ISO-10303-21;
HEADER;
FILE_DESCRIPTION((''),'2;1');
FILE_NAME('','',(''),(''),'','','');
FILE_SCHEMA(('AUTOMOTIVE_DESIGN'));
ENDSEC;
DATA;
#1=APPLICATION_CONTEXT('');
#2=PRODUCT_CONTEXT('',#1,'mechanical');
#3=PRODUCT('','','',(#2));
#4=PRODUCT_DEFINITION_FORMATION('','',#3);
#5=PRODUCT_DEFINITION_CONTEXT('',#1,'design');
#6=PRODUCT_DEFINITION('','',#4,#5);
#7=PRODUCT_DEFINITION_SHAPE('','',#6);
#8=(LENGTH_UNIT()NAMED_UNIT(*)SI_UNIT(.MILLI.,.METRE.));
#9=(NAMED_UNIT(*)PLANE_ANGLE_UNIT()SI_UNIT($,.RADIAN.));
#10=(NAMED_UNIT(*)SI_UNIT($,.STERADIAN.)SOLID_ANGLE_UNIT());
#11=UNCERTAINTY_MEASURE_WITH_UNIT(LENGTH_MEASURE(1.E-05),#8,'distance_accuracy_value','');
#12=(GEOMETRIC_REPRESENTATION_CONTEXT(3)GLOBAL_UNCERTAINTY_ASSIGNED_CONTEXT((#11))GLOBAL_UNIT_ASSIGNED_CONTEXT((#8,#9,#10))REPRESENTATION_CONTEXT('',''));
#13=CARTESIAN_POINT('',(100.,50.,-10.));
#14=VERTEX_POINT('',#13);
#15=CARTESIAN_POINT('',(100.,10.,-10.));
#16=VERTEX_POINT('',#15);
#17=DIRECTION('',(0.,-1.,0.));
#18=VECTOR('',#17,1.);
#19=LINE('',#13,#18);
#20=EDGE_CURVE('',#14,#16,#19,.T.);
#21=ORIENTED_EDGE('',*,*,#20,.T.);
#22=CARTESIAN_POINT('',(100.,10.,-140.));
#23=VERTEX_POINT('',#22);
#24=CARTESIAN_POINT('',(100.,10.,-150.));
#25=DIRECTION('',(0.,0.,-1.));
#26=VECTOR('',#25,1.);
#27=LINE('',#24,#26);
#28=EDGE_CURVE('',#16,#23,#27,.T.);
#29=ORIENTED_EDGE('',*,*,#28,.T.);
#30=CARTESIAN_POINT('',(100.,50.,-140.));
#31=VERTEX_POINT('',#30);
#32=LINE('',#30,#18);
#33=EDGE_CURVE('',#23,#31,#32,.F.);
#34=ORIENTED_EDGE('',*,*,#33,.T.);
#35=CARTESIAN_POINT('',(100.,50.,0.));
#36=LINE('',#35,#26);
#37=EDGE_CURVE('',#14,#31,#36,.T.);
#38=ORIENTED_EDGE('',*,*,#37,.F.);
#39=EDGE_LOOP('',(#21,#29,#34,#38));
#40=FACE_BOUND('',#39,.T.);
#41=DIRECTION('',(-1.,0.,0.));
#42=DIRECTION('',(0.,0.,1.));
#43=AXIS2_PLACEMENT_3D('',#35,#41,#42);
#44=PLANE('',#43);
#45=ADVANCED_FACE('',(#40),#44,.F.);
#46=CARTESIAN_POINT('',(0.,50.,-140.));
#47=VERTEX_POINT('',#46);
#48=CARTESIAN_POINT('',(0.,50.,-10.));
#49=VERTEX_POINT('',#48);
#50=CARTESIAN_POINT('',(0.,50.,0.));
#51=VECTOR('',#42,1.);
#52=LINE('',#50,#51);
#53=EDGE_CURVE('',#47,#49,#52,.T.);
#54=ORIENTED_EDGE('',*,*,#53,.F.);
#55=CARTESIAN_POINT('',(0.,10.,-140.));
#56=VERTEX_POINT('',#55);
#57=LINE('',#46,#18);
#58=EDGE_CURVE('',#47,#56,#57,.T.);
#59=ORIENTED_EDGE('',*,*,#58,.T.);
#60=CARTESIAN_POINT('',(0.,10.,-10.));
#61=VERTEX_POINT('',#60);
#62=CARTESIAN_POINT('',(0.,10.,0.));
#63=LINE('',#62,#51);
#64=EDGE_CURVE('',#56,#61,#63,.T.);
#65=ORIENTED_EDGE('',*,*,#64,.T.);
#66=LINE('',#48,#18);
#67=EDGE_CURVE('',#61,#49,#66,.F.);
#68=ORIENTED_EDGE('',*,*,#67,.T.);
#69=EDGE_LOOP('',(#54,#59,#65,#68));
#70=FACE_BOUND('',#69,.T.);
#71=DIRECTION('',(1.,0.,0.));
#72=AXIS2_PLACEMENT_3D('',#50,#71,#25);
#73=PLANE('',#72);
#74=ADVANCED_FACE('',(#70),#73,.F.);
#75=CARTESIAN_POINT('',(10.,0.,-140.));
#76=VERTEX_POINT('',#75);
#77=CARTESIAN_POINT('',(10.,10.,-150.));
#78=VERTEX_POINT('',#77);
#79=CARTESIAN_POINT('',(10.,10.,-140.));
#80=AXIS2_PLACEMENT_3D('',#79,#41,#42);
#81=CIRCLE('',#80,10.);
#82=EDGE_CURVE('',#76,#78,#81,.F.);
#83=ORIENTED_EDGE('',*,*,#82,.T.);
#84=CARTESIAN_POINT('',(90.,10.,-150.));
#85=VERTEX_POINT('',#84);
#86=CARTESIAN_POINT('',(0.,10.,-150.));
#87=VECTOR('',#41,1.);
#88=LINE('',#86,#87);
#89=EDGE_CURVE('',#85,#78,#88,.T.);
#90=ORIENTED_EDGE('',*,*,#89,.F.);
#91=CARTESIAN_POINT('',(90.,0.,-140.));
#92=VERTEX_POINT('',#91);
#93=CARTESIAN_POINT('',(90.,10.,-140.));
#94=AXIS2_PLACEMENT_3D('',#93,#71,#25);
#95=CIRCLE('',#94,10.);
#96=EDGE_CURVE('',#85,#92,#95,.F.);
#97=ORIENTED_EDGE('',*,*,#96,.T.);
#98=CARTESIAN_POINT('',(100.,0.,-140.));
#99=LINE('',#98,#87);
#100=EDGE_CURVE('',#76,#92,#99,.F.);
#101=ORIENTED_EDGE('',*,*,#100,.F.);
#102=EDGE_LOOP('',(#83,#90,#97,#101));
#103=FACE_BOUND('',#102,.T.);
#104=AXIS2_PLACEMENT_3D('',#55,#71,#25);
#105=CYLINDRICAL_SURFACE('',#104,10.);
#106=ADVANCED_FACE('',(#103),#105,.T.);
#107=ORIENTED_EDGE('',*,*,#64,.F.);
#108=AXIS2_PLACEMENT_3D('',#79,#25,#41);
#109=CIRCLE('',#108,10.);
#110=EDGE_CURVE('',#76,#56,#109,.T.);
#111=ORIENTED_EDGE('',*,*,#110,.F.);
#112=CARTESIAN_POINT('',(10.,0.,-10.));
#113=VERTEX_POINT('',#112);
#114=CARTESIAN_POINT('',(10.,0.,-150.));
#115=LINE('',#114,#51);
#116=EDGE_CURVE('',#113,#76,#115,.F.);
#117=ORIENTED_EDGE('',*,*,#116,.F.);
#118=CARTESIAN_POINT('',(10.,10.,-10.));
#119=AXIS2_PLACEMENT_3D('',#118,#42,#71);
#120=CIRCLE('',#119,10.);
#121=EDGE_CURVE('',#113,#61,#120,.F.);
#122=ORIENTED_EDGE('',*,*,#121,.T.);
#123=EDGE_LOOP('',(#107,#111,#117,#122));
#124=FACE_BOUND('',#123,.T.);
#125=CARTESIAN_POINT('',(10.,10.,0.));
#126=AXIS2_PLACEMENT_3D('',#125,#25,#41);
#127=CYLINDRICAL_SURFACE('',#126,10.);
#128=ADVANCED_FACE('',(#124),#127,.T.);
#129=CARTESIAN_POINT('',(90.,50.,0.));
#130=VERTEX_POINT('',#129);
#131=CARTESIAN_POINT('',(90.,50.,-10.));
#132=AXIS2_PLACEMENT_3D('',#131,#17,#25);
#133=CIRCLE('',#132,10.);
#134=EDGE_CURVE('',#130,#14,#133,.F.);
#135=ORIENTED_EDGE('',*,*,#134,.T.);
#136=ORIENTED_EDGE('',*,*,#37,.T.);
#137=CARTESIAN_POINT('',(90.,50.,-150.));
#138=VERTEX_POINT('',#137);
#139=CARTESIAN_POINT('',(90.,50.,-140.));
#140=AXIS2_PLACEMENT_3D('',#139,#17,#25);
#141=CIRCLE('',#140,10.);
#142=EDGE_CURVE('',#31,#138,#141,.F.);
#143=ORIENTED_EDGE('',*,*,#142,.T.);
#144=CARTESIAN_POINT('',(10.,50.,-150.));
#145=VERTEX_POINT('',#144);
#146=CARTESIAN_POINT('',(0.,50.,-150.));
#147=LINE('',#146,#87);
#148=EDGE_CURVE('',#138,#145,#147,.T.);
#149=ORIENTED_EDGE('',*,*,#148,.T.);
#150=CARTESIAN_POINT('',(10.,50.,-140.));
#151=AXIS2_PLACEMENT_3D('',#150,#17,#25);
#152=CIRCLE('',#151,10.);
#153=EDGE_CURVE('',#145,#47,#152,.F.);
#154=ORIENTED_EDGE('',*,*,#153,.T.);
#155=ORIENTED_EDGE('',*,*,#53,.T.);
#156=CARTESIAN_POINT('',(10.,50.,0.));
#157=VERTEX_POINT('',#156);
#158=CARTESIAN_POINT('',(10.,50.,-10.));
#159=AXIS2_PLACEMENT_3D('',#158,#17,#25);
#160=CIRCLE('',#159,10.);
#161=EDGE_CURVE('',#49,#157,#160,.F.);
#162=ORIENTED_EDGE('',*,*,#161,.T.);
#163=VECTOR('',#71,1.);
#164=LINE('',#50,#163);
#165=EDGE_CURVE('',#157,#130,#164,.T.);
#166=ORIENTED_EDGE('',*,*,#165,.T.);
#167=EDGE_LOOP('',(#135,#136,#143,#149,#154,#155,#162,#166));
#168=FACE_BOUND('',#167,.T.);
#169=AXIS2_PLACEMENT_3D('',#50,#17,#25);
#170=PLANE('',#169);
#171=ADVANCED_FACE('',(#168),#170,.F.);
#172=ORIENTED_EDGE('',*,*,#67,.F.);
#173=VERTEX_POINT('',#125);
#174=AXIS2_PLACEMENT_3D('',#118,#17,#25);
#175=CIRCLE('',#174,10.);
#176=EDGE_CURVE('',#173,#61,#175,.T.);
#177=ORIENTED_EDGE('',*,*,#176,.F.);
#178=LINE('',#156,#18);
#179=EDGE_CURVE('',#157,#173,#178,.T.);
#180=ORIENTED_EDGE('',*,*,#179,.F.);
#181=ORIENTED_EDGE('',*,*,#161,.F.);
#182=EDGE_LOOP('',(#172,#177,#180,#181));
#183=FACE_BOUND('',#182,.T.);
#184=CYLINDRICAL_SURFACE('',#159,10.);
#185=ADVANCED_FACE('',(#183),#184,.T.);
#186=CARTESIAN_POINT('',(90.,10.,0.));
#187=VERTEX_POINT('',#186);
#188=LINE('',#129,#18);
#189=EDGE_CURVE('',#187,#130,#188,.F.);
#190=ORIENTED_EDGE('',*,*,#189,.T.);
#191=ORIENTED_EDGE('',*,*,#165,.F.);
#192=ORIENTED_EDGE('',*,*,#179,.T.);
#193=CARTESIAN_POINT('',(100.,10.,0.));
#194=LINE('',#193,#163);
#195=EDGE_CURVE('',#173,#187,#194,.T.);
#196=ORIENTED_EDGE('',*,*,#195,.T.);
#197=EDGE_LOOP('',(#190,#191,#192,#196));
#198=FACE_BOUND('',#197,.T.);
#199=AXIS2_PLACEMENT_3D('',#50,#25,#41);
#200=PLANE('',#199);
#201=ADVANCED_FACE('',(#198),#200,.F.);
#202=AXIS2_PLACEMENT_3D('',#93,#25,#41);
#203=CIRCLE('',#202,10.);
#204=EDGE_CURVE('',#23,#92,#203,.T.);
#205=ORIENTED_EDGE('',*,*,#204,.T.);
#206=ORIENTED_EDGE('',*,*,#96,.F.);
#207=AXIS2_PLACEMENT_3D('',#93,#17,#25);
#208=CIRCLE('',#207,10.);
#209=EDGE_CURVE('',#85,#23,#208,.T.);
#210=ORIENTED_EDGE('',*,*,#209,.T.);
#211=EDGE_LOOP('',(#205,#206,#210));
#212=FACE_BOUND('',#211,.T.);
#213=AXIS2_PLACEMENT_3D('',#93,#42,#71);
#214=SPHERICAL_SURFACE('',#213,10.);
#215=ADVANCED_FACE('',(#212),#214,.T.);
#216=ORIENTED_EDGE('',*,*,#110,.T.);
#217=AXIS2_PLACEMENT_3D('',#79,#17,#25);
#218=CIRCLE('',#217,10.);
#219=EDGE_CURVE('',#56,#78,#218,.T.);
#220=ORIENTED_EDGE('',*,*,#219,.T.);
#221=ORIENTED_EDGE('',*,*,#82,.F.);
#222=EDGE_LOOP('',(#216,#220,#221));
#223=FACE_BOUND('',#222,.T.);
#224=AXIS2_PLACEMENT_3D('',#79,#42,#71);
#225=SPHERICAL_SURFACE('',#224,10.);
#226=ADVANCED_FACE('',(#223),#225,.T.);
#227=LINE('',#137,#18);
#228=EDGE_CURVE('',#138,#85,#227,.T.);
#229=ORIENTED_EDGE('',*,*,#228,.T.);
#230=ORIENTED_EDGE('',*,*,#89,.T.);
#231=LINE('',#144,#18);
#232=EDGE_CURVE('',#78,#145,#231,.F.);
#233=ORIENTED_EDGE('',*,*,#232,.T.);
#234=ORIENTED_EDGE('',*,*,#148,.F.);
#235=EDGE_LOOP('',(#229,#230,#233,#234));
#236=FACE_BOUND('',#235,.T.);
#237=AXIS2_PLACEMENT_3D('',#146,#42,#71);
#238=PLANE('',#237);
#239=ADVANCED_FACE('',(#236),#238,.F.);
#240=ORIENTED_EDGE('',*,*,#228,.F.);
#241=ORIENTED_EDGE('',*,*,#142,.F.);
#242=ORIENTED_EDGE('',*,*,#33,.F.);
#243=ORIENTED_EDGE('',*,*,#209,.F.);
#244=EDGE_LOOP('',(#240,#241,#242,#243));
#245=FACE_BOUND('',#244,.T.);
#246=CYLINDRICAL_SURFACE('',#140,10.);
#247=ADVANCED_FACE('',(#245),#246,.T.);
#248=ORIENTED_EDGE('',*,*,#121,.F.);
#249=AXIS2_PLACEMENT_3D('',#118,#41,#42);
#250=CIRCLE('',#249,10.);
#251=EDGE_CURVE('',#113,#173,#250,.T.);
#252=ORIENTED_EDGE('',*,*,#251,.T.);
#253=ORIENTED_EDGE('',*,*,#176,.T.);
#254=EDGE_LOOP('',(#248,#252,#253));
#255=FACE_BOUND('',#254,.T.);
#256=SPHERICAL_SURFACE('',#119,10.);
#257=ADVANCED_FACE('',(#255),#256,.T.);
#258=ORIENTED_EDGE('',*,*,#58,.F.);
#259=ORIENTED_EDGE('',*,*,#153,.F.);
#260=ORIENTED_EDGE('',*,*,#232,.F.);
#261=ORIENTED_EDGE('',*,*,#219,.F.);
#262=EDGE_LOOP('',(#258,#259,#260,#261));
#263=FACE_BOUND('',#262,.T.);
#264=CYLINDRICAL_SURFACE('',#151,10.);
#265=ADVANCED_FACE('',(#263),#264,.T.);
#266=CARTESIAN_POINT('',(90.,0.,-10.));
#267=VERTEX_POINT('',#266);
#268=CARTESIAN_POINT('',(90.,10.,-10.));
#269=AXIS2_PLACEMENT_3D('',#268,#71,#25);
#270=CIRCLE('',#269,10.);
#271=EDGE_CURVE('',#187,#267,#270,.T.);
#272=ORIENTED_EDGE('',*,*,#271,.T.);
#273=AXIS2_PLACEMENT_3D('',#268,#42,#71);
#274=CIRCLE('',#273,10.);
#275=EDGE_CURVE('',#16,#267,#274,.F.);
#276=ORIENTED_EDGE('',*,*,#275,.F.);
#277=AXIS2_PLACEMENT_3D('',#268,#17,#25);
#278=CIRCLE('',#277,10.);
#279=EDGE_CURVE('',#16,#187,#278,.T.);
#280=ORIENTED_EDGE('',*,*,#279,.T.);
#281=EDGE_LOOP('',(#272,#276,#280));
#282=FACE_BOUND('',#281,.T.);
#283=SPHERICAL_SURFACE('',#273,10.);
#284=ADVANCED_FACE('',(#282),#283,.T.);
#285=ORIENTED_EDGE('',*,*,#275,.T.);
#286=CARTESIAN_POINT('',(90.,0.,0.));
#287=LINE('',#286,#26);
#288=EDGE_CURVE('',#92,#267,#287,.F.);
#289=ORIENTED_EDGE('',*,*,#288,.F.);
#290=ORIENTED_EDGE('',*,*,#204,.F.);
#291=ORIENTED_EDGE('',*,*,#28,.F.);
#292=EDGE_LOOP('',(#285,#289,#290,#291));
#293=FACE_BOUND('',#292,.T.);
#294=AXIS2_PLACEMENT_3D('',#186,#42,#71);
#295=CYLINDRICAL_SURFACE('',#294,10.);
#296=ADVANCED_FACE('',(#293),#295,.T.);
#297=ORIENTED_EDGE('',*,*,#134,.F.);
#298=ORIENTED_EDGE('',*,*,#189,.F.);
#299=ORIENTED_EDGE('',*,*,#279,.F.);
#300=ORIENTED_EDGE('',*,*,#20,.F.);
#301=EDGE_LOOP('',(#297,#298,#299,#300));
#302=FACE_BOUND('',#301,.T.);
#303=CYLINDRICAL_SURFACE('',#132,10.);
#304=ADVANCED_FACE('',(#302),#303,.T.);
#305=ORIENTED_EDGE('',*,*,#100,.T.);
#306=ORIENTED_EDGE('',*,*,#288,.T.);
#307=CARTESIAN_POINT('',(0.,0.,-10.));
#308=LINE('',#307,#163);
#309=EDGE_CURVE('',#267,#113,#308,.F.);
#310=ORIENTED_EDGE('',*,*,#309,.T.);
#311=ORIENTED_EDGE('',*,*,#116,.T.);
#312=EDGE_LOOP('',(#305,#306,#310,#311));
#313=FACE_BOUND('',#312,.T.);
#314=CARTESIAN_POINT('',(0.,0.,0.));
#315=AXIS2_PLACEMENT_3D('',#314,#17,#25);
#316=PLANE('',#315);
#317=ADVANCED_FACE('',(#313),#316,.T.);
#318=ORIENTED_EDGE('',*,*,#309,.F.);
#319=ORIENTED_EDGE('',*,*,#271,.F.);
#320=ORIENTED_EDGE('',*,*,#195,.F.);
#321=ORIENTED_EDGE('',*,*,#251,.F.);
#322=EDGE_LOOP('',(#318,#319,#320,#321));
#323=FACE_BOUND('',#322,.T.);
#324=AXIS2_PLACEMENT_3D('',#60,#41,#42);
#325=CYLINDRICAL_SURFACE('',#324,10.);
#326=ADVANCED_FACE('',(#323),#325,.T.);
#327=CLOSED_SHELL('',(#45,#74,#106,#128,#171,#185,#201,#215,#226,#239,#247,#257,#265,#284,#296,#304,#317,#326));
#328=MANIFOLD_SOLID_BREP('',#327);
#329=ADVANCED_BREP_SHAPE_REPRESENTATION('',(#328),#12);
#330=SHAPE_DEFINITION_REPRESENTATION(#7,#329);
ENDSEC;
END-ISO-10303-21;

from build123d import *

# Parameters (mm, degrees)
SKETCH1_W           = 100
SKETCH1_H           = 150
BOSS_EXTRUDE1_DEPTH = 50
FILLET1_R           = 10


with BuildPart() as part:
    # Sketch1 → Boss-Extrude1 (new body)
    with BuildSketch(Plane(origin=(0, 0, 0), x_dir=(1, 0, 0), z_dir=(0, 1, 0))):
        with Locations((50, 75)):
            Rectangle(SKETCH1_W, SKETCH1_H)
    extrude(amount=BOSS_EXTRUDE1_DEPTH)

    # Fillet1
    fillet1_edges = [part.edges().sort_by_distance(p)[0] for p in [
        (50, 0, -150),
        (100, 0, -75),
        (50, 0, 0),
        (0, 0, -75),
        (0, 25, -150),
        (100, 25, -150),
        (100, 25, 0),
        (0, 25, 0),
    ]]
    fillet(fillet1_edges, radius=FILLET1_R)


solid = part.part
